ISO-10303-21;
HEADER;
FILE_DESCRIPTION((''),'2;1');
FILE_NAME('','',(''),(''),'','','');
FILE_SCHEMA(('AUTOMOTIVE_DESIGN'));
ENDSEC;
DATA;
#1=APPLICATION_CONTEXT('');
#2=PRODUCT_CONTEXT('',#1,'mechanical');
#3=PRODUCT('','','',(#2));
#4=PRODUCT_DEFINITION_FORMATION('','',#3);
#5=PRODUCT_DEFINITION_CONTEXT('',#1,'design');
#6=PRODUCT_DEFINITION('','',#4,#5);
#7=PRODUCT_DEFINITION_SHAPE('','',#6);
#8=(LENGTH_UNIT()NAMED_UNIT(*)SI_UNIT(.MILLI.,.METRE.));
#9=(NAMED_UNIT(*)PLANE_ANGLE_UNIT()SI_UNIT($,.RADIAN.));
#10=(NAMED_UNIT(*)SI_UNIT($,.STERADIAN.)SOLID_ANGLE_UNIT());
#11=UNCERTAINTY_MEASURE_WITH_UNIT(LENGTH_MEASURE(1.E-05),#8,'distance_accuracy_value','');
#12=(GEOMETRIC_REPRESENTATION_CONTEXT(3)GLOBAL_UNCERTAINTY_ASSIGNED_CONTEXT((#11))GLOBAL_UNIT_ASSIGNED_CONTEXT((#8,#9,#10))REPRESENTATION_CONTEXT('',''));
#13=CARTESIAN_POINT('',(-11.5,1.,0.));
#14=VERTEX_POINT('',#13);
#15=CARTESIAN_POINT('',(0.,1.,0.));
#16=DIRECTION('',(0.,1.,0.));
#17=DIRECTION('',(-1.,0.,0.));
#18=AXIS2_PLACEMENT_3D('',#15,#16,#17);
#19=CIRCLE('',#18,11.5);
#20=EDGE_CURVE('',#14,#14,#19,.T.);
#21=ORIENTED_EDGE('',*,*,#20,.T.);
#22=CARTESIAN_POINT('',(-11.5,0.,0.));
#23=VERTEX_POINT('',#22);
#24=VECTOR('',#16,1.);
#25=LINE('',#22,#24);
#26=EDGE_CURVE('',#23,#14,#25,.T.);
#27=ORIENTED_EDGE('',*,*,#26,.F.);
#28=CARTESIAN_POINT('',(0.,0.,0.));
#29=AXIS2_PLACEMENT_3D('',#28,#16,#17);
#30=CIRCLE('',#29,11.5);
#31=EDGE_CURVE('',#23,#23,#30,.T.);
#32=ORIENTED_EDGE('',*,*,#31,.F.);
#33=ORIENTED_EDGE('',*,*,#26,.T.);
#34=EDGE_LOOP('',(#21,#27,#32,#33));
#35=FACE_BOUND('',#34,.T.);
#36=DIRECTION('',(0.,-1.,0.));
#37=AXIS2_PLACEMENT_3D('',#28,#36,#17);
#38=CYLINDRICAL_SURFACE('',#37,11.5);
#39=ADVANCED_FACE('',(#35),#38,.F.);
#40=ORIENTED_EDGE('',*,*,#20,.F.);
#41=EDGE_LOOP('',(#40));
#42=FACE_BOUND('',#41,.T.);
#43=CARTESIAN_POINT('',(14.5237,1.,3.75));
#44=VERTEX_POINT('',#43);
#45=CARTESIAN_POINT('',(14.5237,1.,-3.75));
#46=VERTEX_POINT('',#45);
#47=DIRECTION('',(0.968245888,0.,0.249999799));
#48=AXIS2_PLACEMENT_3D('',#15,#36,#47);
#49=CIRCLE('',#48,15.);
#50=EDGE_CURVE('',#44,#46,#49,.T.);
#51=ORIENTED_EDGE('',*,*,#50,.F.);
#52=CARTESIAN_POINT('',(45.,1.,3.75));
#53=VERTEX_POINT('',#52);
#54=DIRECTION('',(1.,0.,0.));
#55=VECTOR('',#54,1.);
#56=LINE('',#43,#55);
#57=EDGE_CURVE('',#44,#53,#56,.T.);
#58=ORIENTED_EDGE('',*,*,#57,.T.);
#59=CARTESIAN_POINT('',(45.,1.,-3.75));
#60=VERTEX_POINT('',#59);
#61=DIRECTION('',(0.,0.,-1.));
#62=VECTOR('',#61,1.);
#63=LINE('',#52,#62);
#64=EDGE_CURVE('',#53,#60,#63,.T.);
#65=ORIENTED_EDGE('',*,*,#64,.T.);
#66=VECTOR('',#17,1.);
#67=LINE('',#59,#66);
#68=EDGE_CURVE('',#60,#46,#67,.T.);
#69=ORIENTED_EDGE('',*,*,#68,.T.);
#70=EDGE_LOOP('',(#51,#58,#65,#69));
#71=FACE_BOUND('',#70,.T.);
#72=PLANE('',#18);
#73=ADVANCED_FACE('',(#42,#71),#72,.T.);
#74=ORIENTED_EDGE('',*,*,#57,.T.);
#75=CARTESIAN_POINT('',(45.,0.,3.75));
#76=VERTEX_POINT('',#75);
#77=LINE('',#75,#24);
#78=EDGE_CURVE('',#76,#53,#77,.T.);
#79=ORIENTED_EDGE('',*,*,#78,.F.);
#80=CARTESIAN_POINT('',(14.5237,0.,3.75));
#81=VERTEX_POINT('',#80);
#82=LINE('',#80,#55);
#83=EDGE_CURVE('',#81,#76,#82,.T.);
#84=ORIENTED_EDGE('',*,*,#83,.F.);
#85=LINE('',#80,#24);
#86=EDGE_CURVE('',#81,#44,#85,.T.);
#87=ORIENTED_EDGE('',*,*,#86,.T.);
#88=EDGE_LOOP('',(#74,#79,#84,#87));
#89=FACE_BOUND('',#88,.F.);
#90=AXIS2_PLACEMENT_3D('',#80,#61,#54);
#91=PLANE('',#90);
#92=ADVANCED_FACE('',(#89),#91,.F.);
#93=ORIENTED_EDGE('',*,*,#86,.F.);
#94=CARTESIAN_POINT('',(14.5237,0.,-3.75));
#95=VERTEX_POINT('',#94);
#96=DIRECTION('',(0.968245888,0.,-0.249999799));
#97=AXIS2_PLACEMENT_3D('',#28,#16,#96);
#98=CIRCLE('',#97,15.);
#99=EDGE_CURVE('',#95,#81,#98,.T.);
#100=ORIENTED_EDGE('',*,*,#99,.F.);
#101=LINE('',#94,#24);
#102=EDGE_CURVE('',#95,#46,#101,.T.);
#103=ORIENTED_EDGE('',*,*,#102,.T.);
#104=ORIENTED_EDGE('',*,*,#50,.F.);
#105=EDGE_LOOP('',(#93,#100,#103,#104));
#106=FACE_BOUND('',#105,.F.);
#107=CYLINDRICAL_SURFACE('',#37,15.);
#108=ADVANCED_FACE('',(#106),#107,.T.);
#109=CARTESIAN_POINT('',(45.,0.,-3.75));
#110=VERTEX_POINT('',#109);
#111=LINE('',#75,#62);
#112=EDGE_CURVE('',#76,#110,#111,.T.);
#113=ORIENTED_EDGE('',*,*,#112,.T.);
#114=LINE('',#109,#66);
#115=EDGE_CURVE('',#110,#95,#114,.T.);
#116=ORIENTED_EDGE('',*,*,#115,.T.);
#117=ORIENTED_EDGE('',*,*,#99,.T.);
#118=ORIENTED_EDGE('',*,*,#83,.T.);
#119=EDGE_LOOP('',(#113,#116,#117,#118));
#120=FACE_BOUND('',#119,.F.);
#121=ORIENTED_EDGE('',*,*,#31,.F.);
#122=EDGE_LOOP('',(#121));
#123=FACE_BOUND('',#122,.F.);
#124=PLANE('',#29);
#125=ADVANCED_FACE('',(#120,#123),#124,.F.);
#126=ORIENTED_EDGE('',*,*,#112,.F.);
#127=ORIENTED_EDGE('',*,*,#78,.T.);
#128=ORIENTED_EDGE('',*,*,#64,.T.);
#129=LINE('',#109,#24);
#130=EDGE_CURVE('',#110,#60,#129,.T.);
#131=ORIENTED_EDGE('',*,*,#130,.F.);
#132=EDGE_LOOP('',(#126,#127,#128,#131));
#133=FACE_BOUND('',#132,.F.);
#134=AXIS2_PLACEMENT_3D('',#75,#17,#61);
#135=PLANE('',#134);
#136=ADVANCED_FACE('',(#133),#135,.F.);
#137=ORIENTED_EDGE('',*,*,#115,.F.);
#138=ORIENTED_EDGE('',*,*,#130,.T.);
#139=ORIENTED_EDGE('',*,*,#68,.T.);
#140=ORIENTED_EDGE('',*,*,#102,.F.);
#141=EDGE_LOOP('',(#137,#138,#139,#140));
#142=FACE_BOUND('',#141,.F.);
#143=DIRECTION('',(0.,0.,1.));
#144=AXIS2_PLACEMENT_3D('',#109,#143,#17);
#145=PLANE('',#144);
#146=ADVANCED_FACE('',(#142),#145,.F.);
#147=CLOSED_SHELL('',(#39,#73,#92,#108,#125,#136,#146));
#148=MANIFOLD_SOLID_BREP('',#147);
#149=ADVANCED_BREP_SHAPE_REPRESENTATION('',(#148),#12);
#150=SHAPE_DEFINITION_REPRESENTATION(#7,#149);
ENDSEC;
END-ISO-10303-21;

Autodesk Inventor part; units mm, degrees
ref_plane "YZ Plane" through (0, 0, 0) normal (1, 0, 0) x (0, 1, 0)
ref_plane "XZ Plane" through (0, 0, 0) normal (0, 1, 0) x (-1, 0, 0)
ref_plane "XY Plane" through (0, 0, 0) normal (0, 0, 1) x (1, 0, 0)
sketch "스케치1" plane through (0, 0, 0) normal (0, 1, 0) x (-1, 0, 0)
  circle A0 centre (0, 0) radius 15
  circle A1 centre (0, 0) radius 11.5
  line L0 (-14.5237, 3.75) -> (-45, 3.75)
  line L1 (-45, 3.75) -> (-45, -3.75)
  line L2 (-45, -3.75) -> (-14.5237, -3.75)
  line L3 (-14.5237, -3.75) -> (-14.5237, 3.75)
  dimension "d0" = 30
  dimension "d1" = 23
  dimension "d2" = 7.5
  dimension "d3" = 3.75
  dimension "d4" = 45
extrude "돌출1" add sketch "스케치1" along normal blind 1
properties part number "압력센서"
